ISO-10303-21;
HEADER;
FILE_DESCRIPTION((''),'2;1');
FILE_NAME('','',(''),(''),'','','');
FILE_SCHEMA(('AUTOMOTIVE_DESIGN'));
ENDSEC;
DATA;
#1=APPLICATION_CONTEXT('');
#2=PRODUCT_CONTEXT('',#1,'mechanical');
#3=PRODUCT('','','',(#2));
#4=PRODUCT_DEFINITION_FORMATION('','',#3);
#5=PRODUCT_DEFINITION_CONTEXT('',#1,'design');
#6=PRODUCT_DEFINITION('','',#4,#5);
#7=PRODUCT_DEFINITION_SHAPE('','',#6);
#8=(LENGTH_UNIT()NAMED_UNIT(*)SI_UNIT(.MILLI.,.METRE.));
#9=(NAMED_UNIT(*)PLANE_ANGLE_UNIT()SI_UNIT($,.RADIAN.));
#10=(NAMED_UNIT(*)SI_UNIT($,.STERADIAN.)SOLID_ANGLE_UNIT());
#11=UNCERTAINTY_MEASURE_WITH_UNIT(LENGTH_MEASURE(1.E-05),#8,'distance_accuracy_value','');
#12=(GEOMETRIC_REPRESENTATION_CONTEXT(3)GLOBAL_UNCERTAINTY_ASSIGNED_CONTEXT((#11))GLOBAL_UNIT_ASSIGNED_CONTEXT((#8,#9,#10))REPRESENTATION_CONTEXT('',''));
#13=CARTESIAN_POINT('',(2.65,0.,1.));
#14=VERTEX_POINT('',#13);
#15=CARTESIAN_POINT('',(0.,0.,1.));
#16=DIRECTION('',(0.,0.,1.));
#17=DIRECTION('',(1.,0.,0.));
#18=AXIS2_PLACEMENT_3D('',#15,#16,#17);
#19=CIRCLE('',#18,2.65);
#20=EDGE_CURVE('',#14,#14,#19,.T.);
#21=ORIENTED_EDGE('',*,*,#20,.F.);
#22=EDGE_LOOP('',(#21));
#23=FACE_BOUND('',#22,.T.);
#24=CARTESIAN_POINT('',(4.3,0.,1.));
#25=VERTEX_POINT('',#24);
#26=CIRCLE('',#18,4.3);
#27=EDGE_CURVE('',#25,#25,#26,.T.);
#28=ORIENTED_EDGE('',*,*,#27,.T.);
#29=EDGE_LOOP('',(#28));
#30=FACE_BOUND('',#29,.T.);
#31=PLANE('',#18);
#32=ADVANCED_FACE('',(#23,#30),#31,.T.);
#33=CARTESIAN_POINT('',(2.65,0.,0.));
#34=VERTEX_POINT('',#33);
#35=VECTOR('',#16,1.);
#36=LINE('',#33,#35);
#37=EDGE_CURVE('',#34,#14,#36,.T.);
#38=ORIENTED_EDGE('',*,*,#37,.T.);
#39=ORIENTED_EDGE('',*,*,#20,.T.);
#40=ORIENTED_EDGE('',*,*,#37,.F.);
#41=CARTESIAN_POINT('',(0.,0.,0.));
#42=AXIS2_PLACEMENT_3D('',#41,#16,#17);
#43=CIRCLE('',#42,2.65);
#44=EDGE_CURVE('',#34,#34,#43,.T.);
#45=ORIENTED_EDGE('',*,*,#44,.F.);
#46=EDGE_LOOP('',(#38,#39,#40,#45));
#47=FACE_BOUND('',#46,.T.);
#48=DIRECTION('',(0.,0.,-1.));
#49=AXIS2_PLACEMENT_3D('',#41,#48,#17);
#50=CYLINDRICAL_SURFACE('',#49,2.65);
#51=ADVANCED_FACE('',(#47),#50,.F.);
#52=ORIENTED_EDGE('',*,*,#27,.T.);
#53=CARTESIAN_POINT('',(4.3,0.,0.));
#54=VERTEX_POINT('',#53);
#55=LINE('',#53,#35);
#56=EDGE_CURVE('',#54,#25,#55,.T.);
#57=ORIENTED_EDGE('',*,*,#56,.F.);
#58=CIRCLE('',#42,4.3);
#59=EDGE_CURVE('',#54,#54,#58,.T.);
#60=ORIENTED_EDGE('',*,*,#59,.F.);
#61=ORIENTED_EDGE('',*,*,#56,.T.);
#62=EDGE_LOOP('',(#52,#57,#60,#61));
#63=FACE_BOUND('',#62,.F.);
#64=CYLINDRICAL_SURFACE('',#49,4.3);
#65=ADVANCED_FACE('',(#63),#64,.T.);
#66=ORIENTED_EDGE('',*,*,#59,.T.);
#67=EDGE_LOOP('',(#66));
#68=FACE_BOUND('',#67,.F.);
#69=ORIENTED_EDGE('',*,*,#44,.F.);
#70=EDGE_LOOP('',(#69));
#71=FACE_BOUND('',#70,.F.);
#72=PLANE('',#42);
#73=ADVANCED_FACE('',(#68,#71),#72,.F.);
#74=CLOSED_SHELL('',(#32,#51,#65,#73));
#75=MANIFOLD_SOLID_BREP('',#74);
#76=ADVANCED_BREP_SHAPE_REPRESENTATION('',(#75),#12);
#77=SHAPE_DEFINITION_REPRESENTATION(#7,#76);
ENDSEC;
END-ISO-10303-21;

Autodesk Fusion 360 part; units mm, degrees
sketch "Sketch1" plane through (0, 0, 0) normal (0, 0, 1) x (1, 0, 0)
  circle A0 centre (0, 0) radius 4.3
  circle A1 centre (0, 0) radius 2.65
  dimension "d1" = 8.6
  dimension "d2" = 5.3
extrude "Extrude1" add sketch "Sketch1" along normal blind 1
